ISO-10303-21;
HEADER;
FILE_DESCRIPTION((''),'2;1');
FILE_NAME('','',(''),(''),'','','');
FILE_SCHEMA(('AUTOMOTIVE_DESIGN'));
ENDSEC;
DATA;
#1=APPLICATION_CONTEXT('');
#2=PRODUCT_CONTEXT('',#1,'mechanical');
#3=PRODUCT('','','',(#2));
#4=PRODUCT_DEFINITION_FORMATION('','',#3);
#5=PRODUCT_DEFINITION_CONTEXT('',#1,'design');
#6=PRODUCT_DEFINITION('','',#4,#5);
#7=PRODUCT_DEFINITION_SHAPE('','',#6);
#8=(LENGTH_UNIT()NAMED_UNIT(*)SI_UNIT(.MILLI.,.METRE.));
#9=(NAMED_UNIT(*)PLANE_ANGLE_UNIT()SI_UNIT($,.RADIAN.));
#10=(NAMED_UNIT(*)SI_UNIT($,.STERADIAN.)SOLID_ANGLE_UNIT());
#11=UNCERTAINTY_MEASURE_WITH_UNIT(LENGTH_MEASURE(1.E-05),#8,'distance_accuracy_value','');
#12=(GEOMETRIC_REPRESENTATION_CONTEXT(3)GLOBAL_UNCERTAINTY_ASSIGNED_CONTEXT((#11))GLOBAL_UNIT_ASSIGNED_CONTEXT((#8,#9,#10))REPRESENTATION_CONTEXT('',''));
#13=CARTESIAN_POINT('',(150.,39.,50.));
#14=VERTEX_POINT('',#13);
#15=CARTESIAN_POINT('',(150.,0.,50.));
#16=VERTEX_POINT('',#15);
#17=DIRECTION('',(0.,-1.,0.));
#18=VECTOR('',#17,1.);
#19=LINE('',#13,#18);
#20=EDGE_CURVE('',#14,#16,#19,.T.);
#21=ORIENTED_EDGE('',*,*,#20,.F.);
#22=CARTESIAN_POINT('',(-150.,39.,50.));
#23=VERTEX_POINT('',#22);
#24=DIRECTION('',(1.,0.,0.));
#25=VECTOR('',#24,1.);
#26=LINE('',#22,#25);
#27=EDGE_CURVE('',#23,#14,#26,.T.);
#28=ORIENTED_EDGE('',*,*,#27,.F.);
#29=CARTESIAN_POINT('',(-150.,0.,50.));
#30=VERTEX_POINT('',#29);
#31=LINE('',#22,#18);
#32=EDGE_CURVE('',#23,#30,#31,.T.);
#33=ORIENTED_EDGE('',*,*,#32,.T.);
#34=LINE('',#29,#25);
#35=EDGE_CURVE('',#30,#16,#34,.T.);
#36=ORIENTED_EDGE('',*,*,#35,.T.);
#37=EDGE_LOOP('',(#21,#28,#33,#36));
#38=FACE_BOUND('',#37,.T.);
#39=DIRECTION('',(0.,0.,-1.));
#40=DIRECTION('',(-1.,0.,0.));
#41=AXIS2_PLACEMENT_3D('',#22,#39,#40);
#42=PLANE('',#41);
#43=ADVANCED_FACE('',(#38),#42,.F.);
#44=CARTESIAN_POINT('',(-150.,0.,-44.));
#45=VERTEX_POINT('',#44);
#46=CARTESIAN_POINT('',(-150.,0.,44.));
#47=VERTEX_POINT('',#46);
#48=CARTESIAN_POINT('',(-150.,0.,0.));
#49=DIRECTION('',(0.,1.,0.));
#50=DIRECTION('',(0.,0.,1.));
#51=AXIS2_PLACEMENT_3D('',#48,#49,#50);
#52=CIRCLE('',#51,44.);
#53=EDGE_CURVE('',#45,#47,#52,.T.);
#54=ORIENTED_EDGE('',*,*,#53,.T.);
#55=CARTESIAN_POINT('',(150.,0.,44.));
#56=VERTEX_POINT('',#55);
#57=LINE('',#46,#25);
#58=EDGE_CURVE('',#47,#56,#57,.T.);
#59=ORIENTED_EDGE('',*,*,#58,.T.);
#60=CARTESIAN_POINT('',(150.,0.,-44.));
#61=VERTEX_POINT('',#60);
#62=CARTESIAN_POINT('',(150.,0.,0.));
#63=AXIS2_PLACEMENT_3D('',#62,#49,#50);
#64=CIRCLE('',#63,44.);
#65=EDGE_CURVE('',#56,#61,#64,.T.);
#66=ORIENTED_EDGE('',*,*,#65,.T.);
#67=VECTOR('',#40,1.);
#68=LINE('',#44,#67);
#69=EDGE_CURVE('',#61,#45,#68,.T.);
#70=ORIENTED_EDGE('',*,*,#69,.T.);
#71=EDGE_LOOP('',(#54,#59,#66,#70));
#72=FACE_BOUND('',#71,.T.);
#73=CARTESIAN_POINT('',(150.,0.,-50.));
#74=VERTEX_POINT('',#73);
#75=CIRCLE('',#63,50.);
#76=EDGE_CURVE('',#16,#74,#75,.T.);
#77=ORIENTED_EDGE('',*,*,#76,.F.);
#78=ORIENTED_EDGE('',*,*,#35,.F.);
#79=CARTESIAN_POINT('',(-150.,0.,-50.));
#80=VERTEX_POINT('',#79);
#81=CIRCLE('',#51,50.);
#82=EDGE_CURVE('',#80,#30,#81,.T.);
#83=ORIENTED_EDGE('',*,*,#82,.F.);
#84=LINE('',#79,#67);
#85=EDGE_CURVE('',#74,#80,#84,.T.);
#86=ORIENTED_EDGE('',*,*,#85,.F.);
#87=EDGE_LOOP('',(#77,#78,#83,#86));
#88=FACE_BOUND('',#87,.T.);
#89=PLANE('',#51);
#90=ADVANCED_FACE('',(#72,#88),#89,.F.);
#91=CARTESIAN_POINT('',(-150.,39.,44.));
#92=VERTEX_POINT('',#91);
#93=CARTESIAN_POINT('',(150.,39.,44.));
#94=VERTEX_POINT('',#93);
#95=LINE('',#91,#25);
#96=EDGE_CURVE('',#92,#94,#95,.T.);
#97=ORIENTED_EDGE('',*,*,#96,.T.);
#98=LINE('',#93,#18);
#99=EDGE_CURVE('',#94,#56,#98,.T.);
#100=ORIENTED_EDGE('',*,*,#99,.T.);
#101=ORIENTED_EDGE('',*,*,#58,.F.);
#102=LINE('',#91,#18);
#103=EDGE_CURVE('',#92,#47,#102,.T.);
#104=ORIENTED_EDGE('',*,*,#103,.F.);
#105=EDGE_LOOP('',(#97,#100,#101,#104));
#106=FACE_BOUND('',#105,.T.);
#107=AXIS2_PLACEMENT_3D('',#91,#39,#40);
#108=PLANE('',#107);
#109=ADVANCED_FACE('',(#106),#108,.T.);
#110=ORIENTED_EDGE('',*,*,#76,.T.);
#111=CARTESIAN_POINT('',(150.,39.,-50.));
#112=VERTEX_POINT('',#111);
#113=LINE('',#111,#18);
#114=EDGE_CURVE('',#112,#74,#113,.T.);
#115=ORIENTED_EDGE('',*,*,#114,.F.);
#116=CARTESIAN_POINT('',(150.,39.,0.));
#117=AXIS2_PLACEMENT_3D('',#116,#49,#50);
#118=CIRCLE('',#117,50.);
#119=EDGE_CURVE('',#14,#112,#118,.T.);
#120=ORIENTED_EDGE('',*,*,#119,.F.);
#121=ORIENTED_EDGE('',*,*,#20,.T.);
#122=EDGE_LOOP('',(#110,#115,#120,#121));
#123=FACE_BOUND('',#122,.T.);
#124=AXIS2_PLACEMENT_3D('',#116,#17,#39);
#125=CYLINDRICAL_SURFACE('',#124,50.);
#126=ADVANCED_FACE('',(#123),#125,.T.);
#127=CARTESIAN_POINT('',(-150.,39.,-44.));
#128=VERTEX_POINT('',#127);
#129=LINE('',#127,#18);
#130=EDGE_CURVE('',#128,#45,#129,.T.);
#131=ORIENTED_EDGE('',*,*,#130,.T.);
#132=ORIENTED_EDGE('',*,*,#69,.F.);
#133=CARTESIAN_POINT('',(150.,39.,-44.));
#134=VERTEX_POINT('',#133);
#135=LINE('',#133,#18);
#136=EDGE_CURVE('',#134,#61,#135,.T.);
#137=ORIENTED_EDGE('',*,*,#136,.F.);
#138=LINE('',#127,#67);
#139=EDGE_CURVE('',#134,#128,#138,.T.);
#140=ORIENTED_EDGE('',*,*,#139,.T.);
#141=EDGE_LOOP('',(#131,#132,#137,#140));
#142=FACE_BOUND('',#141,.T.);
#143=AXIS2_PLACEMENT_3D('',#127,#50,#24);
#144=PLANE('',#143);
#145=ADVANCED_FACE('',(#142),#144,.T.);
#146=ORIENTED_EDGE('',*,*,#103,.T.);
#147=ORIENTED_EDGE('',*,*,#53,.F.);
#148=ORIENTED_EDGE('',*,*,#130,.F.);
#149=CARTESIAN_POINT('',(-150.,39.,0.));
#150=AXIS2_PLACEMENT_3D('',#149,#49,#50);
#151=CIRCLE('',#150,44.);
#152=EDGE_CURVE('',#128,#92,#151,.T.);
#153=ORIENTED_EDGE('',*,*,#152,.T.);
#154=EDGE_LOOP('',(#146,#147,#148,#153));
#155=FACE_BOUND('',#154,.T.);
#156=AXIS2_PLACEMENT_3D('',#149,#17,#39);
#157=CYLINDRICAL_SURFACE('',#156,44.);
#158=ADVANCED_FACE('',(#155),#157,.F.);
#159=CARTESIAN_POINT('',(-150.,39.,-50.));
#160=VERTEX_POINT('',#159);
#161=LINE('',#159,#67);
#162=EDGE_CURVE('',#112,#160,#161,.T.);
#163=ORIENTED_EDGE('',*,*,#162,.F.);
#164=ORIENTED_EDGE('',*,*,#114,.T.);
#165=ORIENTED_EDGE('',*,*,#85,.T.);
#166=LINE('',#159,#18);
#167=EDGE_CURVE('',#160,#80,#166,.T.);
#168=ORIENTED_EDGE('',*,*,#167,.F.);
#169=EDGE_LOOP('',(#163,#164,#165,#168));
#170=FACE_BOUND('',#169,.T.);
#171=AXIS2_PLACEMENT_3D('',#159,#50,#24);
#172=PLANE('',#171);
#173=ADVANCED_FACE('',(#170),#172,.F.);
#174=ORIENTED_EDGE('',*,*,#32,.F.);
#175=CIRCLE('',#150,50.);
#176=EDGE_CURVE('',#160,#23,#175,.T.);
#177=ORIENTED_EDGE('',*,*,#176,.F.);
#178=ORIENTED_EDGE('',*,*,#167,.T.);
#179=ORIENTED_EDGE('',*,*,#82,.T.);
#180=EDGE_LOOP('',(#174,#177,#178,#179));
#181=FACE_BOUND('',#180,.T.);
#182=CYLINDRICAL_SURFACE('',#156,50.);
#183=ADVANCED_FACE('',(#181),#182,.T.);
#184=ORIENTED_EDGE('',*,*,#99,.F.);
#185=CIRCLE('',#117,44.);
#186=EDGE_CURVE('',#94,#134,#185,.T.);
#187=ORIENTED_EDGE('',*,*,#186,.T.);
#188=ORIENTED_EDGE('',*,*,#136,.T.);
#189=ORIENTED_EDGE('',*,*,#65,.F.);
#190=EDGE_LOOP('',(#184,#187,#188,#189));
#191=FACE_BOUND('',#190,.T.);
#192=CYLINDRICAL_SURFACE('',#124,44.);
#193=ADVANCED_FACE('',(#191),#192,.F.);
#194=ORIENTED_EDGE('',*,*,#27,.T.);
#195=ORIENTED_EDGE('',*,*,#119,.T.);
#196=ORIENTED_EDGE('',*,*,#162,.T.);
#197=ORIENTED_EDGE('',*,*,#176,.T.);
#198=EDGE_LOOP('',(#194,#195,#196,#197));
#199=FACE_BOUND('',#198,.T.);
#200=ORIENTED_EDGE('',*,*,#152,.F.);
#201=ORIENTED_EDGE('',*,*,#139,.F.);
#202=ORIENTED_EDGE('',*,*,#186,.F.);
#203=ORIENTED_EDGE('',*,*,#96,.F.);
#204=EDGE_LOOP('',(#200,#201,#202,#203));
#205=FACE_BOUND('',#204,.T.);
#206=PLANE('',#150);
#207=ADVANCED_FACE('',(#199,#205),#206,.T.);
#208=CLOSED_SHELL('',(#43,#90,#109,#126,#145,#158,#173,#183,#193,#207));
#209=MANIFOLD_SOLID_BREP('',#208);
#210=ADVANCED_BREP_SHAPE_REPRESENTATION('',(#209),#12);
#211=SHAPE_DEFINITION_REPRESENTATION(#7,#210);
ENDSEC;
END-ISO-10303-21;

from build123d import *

# Parameters (mm, degrees)
BOSS_EXTRUDE1_DEPTH = 39


with BuildPart() as part:
    # Sketch1 → Boss-Extrude1 (new body)
    with BuildSketch(Plane(origin=(0, 0, 0), x_dir=(1, 0, 0), z_dir=(0, 1, 0))):
        with BuildLine():
            Line((-150, 50), (150, 50))
            ThreePointArc((150, 50), (200, 0), (150, -50))
            Line((150, -50), (-150, -50))
            ThreePointArc((-150, -50), (-200, 0), (-150, 50))
        make_face()
        with BuildLine():
            Line((-150, 44), (150, 44))
            ThreePointArc((150, 44), (194, 0), (150, -44))
            Line((150, -44), (-150, -44))
            ThreePointArc((-150, -44), (-194, 0), (-150, 44))
        make_face(mode=Mode.SUBTRACT)
    extrude(amount=BOSS_EXTRUDE1_DEPTH)


solid = part.part
